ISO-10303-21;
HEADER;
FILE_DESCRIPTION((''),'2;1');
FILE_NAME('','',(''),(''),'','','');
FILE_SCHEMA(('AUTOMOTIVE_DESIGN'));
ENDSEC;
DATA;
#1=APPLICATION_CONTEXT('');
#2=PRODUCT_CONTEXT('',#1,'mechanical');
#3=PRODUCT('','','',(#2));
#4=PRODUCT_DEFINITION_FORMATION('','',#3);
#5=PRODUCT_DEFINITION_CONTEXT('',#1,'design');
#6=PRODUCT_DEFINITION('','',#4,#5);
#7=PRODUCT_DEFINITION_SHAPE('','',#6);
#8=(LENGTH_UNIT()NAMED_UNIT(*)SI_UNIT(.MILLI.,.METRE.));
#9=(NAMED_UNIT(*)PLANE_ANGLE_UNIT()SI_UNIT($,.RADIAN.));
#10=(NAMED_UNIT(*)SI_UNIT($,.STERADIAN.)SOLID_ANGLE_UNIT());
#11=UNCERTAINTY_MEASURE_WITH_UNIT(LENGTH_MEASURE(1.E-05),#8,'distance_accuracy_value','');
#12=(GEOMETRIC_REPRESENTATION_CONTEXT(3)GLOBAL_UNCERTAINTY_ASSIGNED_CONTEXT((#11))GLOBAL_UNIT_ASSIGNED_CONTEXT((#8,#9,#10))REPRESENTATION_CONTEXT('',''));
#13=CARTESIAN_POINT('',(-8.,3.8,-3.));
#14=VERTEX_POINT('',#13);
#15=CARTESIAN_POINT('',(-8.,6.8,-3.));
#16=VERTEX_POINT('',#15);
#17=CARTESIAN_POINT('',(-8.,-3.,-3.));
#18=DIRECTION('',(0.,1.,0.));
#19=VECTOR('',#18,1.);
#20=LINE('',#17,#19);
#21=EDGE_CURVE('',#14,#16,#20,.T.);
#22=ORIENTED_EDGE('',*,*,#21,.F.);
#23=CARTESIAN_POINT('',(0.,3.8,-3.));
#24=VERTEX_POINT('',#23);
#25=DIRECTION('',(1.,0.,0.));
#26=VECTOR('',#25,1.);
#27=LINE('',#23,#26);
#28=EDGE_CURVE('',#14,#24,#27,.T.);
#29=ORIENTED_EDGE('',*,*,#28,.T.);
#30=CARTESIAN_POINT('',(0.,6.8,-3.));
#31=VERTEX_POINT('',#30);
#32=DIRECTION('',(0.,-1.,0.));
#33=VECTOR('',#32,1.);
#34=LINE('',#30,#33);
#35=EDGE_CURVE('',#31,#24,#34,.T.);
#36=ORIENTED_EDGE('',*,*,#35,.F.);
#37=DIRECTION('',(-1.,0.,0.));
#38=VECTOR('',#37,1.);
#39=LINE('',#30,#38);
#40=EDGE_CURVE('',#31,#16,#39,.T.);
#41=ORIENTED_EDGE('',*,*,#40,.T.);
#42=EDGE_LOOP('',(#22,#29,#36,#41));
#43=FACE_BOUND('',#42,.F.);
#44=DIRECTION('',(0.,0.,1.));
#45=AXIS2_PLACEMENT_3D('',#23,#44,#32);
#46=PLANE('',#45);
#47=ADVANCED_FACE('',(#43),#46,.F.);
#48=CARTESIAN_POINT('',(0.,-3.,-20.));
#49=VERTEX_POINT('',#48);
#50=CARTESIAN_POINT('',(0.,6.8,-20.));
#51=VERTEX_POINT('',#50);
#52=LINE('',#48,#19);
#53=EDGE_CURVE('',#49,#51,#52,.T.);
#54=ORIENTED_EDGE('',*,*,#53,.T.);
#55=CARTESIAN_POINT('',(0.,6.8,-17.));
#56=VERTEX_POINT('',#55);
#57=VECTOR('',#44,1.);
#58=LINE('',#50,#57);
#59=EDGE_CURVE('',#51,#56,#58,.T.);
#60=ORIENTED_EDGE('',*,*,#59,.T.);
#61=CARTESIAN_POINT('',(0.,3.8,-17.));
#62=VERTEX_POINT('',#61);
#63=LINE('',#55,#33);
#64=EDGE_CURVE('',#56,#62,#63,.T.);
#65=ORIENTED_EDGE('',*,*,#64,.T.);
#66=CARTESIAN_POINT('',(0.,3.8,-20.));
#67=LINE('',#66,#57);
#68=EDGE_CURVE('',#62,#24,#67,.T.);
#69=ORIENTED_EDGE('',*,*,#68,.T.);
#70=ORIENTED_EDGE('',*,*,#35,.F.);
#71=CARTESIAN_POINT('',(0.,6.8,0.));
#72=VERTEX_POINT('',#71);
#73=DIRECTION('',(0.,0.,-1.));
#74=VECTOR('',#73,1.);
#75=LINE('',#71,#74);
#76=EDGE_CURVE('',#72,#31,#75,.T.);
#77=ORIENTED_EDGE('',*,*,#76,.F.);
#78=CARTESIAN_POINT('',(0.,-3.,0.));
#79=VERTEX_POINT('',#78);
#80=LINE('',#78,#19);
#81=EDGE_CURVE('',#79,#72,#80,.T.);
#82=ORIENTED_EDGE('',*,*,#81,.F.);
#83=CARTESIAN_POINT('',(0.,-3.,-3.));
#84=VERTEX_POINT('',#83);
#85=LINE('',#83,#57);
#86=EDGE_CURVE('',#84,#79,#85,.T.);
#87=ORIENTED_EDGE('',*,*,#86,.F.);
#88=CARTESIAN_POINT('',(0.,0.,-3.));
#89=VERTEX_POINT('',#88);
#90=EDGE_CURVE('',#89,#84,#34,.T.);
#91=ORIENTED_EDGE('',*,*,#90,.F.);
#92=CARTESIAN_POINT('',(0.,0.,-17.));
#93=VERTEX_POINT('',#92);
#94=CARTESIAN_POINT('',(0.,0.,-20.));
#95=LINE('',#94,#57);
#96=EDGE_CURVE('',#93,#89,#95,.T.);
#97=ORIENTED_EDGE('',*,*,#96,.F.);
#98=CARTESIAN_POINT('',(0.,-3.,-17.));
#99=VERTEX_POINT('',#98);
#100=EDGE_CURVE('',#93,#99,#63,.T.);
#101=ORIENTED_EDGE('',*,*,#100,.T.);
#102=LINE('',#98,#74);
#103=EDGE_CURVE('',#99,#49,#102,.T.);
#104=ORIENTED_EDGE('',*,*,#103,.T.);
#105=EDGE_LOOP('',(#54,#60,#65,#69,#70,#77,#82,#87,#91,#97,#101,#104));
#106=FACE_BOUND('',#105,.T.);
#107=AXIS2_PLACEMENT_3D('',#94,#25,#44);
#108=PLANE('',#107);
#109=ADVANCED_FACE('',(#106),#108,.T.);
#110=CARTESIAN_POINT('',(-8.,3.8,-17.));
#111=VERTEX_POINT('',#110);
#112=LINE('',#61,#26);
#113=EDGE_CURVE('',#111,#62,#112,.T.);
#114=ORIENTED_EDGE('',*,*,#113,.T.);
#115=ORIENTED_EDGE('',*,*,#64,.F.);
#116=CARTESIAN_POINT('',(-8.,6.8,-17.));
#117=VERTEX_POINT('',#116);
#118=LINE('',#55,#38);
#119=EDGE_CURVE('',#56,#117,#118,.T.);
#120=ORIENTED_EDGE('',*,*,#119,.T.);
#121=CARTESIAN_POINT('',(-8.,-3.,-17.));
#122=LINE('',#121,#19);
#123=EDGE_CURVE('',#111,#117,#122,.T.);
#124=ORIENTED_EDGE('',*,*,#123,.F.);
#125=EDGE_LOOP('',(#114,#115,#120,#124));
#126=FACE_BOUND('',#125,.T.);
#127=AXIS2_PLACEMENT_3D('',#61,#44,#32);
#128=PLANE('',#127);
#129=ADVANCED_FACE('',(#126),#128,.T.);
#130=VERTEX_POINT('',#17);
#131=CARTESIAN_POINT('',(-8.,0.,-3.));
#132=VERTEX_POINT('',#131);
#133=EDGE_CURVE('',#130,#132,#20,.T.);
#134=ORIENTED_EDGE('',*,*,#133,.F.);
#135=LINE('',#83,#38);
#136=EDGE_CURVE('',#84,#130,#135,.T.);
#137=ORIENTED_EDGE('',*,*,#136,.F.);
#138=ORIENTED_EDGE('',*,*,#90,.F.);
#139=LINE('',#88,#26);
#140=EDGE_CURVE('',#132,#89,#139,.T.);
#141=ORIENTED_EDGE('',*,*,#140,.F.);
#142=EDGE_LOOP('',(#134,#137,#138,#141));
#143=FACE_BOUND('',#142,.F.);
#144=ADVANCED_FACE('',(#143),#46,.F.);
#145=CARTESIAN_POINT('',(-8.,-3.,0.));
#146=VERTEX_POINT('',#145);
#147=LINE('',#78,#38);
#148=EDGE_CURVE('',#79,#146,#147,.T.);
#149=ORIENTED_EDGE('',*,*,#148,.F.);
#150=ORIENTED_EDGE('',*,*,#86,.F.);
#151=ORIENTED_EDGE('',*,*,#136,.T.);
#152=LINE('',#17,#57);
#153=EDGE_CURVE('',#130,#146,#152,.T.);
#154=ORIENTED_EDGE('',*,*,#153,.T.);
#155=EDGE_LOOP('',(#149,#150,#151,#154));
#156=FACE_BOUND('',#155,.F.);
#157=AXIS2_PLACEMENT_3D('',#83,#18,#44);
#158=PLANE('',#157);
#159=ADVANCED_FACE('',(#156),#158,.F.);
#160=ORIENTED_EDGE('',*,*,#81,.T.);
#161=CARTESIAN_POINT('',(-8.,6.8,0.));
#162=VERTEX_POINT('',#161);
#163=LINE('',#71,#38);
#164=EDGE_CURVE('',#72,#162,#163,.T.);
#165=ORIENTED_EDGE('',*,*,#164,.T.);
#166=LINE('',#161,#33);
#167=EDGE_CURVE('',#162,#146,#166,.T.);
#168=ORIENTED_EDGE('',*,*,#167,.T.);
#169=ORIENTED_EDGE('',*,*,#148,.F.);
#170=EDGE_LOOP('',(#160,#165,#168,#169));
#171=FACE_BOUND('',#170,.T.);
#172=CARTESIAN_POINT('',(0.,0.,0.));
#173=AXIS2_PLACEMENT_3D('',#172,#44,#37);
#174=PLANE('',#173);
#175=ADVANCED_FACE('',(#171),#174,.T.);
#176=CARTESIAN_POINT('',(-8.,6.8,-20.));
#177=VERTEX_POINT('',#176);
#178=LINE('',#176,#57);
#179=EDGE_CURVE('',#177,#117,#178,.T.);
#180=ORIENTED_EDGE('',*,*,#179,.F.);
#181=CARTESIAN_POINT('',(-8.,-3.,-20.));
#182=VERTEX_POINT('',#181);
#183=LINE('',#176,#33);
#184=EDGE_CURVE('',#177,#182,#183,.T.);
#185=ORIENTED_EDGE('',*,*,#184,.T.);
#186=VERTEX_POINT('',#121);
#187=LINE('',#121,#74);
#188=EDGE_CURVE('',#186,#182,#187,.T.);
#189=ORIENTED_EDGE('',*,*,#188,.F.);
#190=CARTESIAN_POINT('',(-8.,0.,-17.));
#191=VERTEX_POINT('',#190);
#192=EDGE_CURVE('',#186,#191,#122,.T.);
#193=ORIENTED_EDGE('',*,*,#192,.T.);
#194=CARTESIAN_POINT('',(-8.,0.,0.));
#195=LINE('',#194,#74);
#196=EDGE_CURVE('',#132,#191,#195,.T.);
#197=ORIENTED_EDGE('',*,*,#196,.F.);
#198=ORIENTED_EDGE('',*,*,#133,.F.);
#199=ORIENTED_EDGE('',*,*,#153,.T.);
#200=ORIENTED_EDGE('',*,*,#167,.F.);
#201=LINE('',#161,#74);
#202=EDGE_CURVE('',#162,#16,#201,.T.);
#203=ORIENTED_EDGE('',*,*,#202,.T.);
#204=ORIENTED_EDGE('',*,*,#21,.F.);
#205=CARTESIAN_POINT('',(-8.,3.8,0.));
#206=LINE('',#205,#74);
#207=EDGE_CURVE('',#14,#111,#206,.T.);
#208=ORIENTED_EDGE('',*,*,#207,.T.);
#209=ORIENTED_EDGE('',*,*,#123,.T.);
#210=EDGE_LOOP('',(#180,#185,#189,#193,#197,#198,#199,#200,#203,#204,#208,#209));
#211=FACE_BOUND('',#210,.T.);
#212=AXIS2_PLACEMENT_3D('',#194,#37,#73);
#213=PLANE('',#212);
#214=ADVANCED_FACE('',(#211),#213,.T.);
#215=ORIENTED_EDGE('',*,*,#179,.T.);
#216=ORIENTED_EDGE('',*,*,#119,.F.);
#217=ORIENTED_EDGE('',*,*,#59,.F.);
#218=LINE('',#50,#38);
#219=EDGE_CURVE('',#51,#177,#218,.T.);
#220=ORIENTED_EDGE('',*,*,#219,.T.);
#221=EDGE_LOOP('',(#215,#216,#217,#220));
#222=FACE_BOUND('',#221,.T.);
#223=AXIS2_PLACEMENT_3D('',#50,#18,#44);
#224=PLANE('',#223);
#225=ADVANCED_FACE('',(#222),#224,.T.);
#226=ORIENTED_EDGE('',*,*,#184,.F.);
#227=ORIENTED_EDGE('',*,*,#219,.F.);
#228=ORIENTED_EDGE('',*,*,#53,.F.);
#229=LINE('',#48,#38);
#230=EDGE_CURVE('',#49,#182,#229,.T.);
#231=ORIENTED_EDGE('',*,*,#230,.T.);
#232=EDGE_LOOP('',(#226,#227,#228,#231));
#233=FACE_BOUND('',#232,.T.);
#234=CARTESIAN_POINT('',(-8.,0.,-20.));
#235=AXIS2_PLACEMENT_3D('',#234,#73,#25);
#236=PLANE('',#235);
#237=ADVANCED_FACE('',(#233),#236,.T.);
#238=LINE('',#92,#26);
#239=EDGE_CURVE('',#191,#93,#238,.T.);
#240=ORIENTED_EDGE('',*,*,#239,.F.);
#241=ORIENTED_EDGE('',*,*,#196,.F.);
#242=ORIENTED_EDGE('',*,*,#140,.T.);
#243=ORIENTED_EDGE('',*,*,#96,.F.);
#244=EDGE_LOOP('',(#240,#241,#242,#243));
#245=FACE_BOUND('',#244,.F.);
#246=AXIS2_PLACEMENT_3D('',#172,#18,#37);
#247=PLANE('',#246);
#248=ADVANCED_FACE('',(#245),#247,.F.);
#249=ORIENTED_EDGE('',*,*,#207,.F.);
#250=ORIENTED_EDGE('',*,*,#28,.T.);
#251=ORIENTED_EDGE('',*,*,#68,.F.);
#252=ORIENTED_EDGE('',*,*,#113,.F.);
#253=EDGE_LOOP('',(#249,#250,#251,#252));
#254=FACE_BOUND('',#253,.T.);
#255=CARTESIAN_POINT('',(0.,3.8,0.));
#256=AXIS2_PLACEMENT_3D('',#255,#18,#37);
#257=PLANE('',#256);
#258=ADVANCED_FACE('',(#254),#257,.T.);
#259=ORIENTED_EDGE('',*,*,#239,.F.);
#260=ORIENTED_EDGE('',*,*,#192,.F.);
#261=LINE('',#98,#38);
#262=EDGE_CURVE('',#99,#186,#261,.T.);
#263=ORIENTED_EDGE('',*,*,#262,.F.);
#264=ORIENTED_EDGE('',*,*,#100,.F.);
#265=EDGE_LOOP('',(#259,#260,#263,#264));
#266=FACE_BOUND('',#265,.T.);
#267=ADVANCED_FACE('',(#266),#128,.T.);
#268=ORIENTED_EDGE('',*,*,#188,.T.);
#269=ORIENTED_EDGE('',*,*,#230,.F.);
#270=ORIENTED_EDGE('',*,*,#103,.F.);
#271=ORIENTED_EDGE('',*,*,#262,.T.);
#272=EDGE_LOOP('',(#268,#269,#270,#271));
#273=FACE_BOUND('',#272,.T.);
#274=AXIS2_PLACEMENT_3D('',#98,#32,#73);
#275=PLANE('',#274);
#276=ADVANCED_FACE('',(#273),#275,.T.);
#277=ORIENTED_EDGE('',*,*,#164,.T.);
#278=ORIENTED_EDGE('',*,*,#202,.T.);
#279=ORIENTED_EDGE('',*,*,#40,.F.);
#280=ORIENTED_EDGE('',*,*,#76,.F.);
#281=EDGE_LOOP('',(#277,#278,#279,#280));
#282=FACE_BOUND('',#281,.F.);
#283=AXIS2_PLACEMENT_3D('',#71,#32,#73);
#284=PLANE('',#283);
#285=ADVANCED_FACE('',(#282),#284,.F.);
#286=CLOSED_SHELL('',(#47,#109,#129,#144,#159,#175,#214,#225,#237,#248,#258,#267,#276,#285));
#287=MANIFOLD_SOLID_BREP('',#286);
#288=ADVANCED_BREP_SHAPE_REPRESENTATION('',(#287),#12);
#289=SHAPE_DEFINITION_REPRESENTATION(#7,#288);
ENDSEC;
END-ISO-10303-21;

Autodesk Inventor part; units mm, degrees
ref_plane "YZ Plane" through (0, 0, 0) normal (1, 0, 0) x (0, 1, 0)
ref_plane "XZ Plane" through (0, 0, 0) normal (0, 1, 0) x (-1, 0, 0)
ref_plane "XY Plane" through (0, 0, 0) normal (0, 0, 1) x (1, 0, 0)
sketch "Sketch1" plane through (0, 0, 0) normal (0, 1, 0) x (-1, 0, 0)
  line L0 (0, 0) -> (8, 0)
  line L1 (8, 0) -> (8, -20)
  line L2 (8, -20) -> (0, -20)
  line L3 (0, -20) -> (0, 0)
  dimension "d0" = 8
  dimension "d1" = 20
extrude "Extrusion1" add sketch "Sketch1" along normal blind 3.8
sketch "Sketch2" plane through (0, 0, 0) normal (1, 0, 0) x (0, 0, -1)
  line L0 (20, 3.8) -> (0, 3.8) projected
  line L1 (0, 3.8) -> (0, 6.8)
  line L2 (0, 6.8) -> (3, 6.8)
  line L3 (3, 6.8) -> (3, -3)
  line L4 (3, -3) -> (0, -3)
  line L5 (0, -3) -> (0, 6.8)
  line L6 (0, 3.8) -> (20, 3.8)
  line L7 (10, 3.8) -> (10, 4.6084)
  line L8 (20, 6.8) -> (17, 6.8)
  line L9 (17, 6.8) -> (17, -3)
  line L10 (17, -3) -> (20, -3)
  line L11 (20, -3) -> (20, 6.8)
  point P0 (0, 0)
  point P1 (0, 3.8)
  dimension "d4" = 3
  dimension "d5" = 3
  dimension "d6" = 9.8
extrude "Extrusion2" add sketch "Sketch2" against normal blind 8
properties part number "cable_jig_lock"
